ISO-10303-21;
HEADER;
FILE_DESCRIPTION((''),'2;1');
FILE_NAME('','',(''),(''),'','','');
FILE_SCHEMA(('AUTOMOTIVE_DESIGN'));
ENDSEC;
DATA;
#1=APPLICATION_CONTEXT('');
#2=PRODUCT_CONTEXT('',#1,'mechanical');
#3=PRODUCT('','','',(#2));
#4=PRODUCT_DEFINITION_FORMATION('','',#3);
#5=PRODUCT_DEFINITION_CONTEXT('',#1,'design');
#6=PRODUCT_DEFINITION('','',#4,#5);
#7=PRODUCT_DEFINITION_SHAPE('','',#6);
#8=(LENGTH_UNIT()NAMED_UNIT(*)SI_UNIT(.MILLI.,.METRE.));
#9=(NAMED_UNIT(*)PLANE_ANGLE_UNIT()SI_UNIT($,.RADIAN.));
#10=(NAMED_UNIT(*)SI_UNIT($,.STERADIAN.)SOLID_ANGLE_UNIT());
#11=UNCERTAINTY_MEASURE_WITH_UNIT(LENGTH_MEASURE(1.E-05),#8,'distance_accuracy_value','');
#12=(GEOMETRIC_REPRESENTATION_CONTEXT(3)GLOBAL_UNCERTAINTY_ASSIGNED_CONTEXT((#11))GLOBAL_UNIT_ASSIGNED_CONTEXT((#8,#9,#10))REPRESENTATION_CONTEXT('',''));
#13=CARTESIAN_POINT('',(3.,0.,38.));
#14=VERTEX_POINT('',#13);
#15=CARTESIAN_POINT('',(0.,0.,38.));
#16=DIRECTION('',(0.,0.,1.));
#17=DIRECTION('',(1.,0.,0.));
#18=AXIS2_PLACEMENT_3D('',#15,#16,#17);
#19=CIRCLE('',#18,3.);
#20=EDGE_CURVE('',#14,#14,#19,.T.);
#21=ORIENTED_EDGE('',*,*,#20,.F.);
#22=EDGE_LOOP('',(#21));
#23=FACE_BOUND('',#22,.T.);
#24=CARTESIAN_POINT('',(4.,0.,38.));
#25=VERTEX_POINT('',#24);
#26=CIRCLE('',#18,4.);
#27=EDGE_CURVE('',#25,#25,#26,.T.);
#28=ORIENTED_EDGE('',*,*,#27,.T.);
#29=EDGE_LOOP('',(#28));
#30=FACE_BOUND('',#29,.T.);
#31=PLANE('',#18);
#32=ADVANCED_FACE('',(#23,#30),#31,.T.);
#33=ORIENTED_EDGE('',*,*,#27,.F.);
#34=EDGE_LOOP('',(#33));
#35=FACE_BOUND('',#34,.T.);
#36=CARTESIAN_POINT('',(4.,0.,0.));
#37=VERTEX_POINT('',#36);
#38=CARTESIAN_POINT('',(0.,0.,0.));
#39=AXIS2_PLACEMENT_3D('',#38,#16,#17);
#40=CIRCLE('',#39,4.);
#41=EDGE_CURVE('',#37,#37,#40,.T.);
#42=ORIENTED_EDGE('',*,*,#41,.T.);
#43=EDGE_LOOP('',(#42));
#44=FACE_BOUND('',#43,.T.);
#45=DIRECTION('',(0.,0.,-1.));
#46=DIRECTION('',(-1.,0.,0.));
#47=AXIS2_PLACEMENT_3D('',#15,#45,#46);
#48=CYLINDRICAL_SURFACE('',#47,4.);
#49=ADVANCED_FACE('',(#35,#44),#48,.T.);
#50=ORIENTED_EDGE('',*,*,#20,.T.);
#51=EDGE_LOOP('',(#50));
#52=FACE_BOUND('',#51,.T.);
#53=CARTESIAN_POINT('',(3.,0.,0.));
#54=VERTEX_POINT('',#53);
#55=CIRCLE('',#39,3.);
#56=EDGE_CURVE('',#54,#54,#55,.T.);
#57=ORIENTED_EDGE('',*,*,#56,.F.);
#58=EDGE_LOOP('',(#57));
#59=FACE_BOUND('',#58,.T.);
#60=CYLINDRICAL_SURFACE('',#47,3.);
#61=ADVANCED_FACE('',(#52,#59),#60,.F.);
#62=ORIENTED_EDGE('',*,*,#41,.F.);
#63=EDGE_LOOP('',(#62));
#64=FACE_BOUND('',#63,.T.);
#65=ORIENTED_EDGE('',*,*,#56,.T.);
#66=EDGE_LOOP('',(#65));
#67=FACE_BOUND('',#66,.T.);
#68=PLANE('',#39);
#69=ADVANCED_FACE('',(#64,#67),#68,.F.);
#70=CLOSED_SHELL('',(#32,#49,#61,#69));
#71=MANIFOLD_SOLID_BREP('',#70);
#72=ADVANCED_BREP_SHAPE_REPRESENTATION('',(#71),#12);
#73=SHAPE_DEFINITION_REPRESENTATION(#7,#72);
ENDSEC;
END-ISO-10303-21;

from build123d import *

# Parameters (mm, degrees)
CROQUIS1_R              = 4
CROQUIS1_R_2            = 3
SALIENTE_EXTRUIR1_DEPTH = 38


with BuildPart() as part:
    # Croquis1 → Saliente-Extruir1 (new body)
    with BuildSketch(Plane.XY):
        Circle(CROQUIS1_R)
        Circle(CROQUIS1_R_2, mode=Mode.SUBTRACT)
    extrude(amount=SALIENTE_EXTRUIR1_DEPTH)


solid = part.part
